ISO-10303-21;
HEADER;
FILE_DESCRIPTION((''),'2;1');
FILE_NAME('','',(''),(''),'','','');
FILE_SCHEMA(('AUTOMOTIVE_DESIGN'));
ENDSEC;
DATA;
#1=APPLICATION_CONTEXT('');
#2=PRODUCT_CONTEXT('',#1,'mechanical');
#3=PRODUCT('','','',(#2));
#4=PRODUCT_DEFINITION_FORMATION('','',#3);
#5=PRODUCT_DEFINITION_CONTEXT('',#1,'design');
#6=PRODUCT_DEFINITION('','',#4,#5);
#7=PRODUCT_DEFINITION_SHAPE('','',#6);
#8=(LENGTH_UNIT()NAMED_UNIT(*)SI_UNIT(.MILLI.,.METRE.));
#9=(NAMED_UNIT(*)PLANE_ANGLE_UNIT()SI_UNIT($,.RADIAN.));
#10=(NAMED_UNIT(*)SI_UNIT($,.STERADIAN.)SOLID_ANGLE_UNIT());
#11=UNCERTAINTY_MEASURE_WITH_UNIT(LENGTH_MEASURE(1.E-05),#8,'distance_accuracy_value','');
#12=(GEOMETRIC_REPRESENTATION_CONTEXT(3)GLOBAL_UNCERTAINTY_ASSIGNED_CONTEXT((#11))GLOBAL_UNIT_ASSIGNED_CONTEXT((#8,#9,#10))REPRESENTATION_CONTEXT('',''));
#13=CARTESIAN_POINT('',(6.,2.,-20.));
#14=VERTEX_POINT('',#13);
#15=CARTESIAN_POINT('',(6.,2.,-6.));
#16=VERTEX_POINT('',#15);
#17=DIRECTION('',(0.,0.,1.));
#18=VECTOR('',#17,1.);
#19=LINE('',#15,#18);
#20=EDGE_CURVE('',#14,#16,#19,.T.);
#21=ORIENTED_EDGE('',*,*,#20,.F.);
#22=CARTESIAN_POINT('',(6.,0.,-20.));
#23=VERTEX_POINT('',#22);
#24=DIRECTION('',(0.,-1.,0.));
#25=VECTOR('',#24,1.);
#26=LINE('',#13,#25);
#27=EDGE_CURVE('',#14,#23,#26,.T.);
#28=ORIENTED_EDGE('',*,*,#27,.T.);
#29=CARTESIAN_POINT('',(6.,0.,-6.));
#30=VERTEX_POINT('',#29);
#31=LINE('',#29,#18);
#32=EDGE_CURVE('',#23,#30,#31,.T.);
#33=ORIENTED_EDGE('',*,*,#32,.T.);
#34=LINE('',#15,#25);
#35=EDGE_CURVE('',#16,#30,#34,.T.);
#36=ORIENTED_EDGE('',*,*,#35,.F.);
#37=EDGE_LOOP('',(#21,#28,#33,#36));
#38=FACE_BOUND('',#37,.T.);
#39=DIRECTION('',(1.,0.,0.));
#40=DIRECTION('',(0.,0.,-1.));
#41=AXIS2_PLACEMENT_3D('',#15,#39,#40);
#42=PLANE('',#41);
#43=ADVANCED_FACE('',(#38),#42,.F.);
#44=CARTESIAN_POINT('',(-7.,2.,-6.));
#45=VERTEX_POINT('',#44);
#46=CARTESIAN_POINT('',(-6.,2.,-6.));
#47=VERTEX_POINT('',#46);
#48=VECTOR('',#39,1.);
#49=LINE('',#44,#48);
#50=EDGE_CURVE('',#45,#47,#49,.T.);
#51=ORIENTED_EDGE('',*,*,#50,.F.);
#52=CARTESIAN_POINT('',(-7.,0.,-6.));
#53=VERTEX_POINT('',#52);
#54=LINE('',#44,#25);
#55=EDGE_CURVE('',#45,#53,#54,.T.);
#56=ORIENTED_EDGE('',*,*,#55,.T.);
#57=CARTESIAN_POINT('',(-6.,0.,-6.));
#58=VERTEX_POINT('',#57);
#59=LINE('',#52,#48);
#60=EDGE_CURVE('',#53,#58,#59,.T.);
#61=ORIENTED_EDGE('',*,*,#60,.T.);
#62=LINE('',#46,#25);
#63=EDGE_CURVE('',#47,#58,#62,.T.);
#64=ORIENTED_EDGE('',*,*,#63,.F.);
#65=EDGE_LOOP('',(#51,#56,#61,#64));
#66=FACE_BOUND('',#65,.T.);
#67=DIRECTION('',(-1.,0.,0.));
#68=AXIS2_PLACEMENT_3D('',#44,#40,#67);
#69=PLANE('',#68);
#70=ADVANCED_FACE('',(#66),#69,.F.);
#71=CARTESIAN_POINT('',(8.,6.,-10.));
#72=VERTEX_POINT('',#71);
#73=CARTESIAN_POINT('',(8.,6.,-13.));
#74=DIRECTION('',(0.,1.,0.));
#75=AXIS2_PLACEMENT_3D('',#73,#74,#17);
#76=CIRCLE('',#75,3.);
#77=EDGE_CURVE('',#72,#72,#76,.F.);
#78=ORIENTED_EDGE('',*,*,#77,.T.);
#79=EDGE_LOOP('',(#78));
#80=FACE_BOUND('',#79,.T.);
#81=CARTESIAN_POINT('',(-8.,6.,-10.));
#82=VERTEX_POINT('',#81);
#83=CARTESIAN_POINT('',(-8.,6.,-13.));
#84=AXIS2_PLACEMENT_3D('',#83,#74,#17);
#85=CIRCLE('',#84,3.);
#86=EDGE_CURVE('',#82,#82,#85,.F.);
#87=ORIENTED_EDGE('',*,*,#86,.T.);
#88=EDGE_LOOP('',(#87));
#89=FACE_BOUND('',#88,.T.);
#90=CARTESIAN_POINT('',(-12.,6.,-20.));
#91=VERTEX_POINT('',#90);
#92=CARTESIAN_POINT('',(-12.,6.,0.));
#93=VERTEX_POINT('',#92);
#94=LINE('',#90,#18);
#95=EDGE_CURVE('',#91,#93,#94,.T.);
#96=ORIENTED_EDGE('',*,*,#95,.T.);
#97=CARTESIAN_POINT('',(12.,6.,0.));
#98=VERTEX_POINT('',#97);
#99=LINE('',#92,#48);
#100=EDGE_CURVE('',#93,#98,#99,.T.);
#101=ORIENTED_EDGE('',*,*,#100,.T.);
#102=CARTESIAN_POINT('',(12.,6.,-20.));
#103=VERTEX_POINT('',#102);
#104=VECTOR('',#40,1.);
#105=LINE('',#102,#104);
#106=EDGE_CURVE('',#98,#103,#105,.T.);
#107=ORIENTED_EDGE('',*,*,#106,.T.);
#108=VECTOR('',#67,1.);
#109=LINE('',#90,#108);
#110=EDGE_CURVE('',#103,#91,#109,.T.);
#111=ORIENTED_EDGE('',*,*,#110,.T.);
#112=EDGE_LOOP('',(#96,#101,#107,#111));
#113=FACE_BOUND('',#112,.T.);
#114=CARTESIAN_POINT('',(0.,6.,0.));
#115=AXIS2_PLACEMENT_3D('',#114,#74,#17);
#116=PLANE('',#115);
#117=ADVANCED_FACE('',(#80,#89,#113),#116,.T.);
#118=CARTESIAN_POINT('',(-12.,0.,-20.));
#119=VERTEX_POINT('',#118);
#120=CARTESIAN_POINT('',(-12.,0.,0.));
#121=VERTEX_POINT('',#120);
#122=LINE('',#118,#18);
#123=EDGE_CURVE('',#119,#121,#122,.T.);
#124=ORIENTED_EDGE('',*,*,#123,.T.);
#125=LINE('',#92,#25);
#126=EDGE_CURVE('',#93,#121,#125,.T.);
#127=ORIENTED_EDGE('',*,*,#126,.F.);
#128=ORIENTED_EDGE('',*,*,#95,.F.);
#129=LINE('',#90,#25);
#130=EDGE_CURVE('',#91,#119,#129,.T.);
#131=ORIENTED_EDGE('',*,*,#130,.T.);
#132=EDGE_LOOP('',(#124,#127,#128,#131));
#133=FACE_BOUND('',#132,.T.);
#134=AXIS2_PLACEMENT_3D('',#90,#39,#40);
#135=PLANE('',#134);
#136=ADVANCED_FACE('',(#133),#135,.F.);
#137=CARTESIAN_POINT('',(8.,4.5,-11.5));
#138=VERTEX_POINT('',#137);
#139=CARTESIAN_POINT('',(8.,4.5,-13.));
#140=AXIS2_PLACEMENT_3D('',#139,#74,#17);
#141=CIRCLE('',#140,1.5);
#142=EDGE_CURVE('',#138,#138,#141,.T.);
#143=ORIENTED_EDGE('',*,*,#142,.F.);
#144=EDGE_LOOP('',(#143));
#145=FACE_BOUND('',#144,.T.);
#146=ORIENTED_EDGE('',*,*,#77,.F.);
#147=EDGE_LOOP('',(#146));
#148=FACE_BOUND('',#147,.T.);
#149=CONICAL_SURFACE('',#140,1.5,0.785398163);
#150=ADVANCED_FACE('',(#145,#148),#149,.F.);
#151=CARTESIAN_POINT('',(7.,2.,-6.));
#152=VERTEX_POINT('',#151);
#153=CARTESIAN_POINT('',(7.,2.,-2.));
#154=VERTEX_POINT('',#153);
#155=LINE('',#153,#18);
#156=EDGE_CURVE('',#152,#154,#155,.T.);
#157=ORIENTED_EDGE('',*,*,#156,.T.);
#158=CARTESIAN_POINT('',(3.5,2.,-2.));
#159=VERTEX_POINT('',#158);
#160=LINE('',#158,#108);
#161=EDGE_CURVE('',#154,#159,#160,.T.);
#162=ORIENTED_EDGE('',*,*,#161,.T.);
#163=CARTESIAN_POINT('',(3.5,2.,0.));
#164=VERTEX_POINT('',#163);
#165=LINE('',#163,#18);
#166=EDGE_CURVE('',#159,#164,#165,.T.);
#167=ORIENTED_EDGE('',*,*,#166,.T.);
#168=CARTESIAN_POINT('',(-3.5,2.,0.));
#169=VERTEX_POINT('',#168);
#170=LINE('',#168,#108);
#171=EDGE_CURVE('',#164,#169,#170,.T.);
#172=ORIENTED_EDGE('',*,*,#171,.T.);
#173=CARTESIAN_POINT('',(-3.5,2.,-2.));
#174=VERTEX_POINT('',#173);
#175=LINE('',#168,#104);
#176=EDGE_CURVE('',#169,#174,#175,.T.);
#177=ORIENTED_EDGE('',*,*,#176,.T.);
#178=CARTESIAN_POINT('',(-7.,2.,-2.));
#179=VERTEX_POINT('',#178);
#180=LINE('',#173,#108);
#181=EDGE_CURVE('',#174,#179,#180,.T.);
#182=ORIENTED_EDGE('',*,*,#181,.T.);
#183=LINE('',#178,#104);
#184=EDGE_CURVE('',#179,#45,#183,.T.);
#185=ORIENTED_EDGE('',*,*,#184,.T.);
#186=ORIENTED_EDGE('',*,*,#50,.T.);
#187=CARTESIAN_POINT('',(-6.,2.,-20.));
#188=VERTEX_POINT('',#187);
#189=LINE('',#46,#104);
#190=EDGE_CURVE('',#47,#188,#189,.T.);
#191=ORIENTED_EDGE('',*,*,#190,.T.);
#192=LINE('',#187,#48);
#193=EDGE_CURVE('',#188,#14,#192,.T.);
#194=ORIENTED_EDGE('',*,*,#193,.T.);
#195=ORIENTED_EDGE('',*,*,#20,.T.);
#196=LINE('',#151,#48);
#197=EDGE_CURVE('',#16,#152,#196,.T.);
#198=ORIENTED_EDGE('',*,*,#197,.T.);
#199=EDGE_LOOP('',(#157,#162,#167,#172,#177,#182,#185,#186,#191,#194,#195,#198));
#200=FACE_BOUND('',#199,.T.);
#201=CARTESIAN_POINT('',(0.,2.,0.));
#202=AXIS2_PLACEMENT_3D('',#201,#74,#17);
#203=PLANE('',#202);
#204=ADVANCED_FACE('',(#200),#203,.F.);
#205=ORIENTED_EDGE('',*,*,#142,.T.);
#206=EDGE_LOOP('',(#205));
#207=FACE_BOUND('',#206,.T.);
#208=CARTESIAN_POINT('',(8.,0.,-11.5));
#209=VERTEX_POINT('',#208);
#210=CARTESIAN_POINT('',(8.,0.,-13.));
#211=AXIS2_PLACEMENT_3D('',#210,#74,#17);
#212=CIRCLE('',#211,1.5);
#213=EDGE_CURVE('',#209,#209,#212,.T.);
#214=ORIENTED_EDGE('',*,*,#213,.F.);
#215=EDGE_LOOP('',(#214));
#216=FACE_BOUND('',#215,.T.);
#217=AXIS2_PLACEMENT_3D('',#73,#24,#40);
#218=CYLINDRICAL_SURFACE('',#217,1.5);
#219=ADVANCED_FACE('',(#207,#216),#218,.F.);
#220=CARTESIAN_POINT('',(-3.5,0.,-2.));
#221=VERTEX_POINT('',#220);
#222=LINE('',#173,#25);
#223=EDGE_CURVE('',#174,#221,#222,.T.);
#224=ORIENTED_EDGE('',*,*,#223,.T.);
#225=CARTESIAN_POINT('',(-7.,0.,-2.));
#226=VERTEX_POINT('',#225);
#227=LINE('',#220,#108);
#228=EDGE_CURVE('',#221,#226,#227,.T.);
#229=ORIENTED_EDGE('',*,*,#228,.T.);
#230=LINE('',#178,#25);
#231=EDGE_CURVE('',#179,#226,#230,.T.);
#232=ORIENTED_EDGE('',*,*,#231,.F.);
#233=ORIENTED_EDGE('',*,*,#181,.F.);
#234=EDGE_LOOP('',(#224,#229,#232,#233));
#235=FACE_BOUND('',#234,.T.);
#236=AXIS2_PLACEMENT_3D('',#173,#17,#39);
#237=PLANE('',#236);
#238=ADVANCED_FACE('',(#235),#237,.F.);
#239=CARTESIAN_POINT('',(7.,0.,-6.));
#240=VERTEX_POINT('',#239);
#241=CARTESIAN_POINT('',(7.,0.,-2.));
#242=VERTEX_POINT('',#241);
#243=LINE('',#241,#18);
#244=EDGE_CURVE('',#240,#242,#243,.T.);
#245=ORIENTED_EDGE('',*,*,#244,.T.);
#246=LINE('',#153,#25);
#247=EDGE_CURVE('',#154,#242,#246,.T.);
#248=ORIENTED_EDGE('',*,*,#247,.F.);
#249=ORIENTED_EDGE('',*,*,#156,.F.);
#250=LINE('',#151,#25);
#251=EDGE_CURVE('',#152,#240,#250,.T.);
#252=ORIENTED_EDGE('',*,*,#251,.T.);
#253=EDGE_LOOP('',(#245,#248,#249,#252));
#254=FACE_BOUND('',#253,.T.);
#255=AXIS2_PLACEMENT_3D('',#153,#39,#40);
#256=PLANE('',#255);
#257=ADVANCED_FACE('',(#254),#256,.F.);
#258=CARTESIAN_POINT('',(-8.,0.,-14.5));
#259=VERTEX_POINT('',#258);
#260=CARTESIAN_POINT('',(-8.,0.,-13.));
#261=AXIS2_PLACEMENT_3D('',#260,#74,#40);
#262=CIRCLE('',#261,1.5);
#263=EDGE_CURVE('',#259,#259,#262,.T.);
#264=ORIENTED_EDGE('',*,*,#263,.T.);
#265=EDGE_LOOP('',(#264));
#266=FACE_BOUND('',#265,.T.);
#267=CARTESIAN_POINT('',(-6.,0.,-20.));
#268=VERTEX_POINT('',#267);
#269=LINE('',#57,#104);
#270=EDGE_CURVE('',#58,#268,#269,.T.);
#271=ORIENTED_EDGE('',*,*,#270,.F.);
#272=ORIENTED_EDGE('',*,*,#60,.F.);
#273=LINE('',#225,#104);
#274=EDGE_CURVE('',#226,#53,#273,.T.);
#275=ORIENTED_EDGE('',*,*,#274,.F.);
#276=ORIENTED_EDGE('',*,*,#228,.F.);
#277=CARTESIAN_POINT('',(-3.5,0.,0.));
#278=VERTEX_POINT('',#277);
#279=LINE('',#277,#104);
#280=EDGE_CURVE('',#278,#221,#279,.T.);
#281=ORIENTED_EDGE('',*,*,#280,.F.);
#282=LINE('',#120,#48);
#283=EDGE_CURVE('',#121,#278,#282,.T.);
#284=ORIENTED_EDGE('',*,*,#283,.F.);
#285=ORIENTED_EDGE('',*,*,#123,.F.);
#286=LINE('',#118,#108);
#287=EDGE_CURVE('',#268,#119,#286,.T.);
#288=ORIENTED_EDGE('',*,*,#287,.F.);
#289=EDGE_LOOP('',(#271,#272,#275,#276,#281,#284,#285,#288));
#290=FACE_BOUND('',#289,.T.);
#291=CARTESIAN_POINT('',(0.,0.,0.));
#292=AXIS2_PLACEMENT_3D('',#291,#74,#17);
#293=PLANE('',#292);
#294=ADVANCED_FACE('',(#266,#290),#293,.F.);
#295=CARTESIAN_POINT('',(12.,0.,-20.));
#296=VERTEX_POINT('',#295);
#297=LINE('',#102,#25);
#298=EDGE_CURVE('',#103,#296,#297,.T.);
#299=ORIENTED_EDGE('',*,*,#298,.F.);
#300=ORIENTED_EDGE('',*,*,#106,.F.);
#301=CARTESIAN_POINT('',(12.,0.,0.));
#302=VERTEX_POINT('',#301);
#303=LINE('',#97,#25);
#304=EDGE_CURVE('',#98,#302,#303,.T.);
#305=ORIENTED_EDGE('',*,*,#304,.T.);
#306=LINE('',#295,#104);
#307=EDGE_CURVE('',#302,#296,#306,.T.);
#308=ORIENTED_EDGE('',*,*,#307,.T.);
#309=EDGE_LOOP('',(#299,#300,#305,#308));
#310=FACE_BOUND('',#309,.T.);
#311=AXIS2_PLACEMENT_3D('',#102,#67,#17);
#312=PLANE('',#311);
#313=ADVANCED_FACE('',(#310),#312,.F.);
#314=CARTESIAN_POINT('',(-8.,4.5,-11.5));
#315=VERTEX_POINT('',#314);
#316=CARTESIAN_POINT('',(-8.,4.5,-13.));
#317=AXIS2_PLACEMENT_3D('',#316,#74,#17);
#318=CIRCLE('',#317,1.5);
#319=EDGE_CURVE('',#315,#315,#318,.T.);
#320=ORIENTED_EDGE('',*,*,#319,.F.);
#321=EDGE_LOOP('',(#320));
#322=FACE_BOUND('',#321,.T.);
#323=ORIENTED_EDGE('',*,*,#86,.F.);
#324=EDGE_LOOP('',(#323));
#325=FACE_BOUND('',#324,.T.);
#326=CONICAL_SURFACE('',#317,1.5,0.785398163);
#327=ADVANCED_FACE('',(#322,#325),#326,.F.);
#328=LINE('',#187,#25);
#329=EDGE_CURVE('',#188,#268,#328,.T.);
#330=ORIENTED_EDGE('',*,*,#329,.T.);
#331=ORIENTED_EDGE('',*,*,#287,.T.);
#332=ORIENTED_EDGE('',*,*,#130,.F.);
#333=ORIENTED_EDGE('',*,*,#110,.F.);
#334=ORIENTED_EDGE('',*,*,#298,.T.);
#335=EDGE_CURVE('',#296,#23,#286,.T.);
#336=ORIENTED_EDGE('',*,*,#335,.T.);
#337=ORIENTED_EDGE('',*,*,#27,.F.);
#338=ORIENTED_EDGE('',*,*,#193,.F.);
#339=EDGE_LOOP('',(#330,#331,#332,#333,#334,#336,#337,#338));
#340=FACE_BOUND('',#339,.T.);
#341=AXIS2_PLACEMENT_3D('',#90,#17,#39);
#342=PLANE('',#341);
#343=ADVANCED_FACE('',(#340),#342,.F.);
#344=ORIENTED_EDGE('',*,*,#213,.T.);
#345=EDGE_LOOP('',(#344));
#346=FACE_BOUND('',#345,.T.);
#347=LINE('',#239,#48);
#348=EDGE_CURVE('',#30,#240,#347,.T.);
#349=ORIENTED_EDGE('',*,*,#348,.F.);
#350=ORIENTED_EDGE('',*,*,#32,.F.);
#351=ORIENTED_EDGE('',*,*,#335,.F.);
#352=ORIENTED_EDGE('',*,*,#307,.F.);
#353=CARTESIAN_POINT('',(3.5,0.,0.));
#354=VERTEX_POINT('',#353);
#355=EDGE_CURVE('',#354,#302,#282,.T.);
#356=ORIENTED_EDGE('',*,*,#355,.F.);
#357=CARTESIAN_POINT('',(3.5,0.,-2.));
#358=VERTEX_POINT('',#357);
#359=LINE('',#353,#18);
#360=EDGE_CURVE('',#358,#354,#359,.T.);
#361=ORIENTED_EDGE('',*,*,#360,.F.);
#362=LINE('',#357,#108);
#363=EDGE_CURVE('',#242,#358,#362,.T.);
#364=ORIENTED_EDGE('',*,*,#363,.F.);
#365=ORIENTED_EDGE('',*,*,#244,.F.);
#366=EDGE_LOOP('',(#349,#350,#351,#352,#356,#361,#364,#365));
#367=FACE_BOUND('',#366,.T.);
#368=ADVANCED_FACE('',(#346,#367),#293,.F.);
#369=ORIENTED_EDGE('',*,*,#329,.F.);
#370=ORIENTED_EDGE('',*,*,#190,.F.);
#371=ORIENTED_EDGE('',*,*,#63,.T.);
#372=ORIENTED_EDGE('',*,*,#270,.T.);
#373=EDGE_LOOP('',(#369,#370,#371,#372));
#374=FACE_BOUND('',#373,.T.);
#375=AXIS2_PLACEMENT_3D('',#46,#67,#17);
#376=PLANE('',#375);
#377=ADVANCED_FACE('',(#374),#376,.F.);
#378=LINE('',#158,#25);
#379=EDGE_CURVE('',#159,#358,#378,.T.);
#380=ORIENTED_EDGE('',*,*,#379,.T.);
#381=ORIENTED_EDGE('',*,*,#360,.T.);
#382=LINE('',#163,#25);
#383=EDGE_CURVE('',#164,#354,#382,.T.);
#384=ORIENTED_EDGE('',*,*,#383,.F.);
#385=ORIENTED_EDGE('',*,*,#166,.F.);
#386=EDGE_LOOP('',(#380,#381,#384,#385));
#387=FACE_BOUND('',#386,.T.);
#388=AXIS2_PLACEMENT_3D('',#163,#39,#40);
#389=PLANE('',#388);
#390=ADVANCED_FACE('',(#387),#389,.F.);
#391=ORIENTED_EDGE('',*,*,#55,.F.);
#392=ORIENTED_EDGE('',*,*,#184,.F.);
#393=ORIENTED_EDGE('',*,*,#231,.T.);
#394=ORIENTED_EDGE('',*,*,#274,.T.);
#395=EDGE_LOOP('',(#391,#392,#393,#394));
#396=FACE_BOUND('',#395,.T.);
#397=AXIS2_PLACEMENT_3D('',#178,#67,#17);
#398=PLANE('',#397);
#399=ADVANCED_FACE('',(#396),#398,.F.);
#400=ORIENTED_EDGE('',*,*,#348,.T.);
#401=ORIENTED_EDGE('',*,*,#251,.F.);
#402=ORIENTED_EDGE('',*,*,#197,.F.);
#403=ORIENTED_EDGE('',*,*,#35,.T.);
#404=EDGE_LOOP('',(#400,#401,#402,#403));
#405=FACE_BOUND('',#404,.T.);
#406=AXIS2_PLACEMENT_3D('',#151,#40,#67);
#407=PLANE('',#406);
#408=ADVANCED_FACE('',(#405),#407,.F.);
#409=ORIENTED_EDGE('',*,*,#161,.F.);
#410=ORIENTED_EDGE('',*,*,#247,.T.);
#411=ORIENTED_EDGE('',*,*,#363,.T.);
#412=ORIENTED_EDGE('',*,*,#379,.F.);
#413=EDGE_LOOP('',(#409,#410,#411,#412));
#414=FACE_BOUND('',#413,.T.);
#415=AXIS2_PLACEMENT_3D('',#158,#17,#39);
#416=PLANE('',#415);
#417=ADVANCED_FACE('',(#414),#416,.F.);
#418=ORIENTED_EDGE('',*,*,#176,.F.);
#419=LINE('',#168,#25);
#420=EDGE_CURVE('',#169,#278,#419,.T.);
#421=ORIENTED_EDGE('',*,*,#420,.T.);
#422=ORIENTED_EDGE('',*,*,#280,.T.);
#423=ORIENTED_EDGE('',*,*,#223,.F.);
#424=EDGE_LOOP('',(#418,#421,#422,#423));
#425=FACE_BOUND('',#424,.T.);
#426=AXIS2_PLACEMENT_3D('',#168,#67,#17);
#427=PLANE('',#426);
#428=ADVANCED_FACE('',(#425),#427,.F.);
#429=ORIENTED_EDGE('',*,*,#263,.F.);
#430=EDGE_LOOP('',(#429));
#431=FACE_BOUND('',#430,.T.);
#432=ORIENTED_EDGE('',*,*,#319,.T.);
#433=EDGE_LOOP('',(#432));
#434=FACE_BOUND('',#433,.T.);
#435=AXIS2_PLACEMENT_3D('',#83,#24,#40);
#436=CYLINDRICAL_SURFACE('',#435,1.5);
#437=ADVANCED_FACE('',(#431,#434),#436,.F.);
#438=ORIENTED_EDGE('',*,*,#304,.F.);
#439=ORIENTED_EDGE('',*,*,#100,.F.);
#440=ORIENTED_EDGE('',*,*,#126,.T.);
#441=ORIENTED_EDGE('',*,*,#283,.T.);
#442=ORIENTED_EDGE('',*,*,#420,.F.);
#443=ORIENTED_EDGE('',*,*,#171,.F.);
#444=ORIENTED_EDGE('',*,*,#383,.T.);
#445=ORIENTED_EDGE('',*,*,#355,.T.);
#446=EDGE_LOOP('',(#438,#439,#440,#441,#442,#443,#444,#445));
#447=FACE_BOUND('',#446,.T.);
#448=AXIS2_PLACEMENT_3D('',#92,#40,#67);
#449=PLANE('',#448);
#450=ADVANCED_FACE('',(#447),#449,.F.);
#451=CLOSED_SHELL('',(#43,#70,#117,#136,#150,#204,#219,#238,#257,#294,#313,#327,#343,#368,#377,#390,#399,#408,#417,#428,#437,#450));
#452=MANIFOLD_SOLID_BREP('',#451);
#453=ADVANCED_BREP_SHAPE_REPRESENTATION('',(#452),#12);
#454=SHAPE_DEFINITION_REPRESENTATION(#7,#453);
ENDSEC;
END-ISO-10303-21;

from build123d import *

# Parameters (mm, degrees)
ESQUISSE1_W             = 24
ESQUISSE1_H             = 20
ESQUISSE1_R             = 1.5
BOSS_EXTRU_1_DEPTH      = 6
ENL_V_MAT_EXTRU_1_DEPTH = 2
CHANFREIN1_SIZE         = 1.5


with BuildPart() as part:
    # Esquisse1 → Boss.-Extru.1 (new body)
    with BuildSketch(Plane(origin=(0, 0, 0), x_dir=(1, 0, 0), z_dir=(0, 1, 0))):
        with Locations((0, 10)):
            Rectangle(ESQUISSE1_W, ESQUISSE1_H)
        with Locations(Location((8, 13, 0), (0, 0, 270))):  # turned: the seam where the file's is
            Circle(ESQUISSE1_R, mode=Mode.SUBTRACT)
        with Locations(Location((-8, 13, 0), (0, 0, 90))):  # turned: the seam where the file's is
            Circle(ESQUISSE1_R, mode=Mode.SUBTRACT)
    extrude(amount=BOSS_EXTRU_1_DEPTH)

    # Esquisse2 → Enlèv. mat.-Extru.1 (cut)
    with BuildSketch(Plane.XZ):
        Polygon((3.5, 0), (3.5, -2), (7, -2), (7, -6), (6, -6), (6, -20), (-6, -20), (-6, -6), (-7, -6), (-7, -2), (-3.5, -2), (-3.5, 0), align=None)
    extrude(amount=-ENL_V_MAT_EXTRU_1_DEPTH, mode=Mode.SUBTRACT)

    # Chanfrein1
    chanfrein1_edges = [part.edges().sort_by_distance(p)[0] for p in [
        (8, 6, -14.5),
        (-8, 6, -11.5),
    ]]
    chamfer(chanfrein1_edges, length=CHANFREIN1_SIZE)


solid = part.part
